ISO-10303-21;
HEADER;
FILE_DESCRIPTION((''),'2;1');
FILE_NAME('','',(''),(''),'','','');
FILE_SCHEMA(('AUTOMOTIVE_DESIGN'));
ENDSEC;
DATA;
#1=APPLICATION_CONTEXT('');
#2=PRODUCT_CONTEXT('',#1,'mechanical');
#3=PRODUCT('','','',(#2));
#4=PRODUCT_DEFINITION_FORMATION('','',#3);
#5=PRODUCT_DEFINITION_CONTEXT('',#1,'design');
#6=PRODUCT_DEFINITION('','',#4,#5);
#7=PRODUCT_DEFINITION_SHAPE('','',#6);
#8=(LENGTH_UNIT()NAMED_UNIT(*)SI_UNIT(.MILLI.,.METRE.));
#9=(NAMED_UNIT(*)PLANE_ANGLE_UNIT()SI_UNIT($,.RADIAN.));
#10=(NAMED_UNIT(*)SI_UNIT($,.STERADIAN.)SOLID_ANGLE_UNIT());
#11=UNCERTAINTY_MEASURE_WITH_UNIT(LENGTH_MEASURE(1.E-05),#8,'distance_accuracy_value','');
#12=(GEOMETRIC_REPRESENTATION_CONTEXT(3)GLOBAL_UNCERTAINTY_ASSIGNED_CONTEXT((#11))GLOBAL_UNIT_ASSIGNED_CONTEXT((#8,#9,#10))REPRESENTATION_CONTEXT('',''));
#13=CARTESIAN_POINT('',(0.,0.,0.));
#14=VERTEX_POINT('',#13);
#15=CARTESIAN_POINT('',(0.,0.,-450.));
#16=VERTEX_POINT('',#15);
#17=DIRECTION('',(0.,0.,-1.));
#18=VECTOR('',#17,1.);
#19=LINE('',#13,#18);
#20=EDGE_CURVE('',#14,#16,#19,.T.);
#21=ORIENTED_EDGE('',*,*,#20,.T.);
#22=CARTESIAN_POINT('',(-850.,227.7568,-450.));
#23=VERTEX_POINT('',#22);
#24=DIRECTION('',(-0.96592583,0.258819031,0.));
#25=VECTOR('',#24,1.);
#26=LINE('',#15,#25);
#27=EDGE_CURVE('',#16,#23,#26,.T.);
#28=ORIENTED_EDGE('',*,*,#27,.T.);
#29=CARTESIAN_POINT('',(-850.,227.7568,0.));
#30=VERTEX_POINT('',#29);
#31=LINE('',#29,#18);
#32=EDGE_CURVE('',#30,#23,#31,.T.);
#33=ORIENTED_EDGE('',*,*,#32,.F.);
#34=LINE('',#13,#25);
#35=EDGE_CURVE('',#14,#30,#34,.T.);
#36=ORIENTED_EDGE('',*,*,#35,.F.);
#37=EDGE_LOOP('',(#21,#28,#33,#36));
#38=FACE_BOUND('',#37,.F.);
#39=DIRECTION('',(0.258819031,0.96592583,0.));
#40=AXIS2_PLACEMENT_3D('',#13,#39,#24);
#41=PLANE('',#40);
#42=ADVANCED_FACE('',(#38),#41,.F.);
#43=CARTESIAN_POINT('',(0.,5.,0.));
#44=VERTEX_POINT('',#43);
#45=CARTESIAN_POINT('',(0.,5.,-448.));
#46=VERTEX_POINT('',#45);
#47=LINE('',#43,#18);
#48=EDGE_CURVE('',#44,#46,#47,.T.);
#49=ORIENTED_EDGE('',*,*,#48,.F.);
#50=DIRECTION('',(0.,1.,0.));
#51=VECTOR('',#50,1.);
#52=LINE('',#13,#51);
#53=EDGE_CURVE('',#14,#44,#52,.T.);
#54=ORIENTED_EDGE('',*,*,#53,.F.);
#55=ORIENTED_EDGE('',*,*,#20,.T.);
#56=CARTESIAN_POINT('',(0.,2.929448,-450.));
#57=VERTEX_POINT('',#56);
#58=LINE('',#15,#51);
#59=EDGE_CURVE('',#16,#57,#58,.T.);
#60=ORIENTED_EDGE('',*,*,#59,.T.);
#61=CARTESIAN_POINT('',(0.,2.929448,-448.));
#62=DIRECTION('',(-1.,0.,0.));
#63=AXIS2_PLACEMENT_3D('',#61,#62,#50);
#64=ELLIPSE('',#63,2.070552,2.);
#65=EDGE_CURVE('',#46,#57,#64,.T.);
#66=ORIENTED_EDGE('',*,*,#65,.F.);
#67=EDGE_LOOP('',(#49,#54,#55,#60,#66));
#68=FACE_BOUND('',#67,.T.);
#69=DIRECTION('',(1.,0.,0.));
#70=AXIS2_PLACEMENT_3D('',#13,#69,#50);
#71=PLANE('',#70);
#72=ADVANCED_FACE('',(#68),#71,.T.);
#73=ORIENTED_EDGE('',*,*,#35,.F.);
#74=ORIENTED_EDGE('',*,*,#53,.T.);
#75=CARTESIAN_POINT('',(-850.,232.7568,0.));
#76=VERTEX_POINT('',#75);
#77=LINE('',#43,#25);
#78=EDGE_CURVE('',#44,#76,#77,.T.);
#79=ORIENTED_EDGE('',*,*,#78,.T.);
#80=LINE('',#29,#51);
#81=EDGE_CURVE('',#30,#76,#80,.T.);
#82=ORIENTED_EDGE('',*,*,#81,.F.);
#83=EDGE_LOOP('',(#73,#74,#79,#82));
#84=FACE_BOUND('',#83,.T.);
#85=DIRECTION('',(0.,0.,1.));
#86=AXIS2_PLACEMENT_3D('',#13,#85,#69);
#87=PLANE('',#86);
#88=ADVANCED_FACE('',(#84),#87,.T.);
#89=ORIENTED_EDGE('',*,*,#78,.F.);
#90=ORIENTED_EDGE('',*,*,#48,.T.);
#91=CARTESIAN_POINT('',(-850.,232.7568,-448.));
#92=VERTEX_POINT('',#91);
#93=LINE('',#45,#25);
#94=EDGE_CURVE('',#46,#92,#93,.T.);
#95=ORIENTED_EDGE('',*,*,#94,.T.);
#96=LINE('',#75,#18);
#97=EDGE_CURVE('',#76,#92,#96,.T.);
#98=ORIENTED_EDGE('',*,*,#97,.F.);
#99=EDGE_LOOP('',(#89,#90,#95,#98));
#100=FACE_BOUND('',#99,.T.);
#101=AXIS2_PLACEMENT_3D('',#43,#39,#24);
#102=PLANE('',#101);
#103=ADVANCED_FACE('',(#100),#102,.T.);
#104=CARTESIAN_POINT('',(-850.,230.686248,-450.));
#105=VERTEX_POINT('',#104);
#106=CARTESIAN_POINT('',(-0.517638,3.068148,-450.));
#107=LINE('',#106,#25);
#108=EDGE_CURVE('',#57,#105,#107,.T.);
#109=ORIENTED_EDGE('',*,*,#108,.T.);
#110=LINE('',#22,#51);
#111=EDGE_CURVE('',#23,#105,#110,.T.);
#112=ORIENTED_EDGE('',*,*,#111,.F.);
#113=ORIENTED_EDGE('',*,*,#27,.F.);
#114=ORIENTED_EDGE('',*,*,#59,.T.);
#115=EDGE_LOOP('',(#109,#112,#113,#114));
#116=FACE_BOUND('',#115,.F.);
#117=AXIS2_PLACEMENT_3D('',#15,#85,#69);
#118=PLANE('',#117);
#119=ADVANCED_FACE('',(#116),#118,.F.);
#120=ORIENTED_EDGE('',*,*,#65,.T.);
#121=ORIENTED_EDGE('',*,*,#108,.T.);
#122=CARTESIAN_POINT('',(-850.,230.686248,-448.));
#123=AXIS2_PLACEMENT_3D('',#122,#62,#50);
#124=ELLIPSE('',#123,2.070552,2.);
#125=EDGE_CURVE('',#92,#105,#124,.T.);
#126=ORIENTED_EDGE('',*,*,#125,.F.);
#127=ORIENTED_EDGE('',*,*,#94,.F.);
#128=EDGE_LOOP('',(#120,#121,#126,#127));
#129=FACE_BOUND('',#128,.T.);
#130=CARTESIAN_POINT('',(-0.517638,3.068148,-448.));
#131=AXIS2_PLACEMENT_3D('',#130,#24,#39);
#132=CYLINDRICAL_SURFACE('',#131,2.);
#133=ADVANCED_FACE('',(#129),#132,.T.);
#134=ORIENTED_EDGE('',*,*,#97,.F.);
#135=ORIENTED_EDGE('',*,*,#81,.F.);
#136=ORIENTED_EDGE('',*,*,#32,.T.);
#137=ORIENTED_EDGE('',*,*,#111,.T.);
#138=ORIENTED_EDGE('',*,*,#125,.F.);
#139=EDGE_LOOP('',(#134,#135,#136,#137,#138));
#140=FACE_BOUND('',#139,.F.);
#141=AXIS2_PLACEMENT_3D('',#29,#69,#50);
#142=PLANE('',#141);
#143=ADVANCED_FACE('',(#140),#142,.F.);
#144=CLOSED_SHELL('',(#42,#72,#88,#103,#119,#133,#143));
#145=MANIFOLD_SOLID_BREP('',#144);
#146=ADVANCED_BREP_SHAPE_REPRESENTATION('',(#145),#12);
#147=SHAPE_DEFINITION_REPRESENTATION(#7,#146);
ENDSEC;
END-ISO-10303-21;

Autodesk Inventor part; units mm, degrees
ref_plane "YZ Plane" through (0, 0, 0) normal (1, 0, 0) x (0, 1, 0)
ref_plane "XZ Plane" through (0, 0, 0) normal (0, 1, 0) x (-1, 0, 0)
ref_plane "XY Plane" through (0, 0, 0) normal (0, 0, 1) x (1, 0, 0)
sketch "스케치1" plane through (0, 0, 0) normal (0, 0, 1) x (1, 0, 0)
  line L0 (0, 0) -> (0, 5)
  line L1 (0, 0) -> (-850, 227.7568)
  line L2 (-12.9463, 0) -> (8.7754, 0)
  line L3 (0, 5) -> (-850, 232.7568)
  line L4 (-850, 227.7568) -> (-850, 232.7568)
  point P0 (-850, 230.2568)
  point P1 (-850, 242.7568)
  point P2 (0, 15)
  dimension "d0" = 15
  dimension "d1" = 5
  dimension "d2" = 850
extrude "돌출1" add sketch "스케치1" against normal blind 450
sketch "스케치3" plane through (0, 15, 0) normal (0.2588, 0.9659, 0) x (0.9659, -0.2588, 0)
  line L0 (-879.9848, 0) -> (-879.9848, 450) projected
  line L1 (3.8823, 0) -> (3.8823, 450) projected
  spline S0 degree 4 poles (-879.9848, 225) (-790.3669, 315.2357) (-705.7025, 105.8229) (-615.8925, 383.2001) (-422.1913, 176.8706) (-352.8385, 360.4529) (-185.1098, 145.8092) (-106.461, 355.2219) (-47.5696, 282.9867) (3.8823, 225) knots 0 0 0 0 0 0.288179 0.401252 0.519809 0.635267 0.741109 1 1 1 1 1
  line L2 (-879.9848, 225) -> (-986.5845, 327.8412)
  line L3 (-986.5845, 327.8412) -> (-911.355, 729.5985)
  line L4 (-911.355, 729.5985) -> (113.0461, 683.1803)
  line L5 (113.0461, 683.1803) -> (3.8823, 225)
  point P0 (-751.2924, 234.868)
  point P1 (-666.4591, 234.868)
  point P2 (-560.8178, 275.0205)
  point P3 (-432.7676, 244.6086)
  point P4 (-339.9313, 291.6979)
  point P5 (-223.0855, 244.6086)
  point P6 (-138.2523, 275.0205)
  point P7 (-77.4285, 291.6979)
extrude "돌출3" [suppressed]
fillet "모깎기4" [suppressed]
fillet "모깎기5" radius 2 1 edges at (-425, 118.8784, -450)
properties part number "부품2" material "에폭시 수지"
